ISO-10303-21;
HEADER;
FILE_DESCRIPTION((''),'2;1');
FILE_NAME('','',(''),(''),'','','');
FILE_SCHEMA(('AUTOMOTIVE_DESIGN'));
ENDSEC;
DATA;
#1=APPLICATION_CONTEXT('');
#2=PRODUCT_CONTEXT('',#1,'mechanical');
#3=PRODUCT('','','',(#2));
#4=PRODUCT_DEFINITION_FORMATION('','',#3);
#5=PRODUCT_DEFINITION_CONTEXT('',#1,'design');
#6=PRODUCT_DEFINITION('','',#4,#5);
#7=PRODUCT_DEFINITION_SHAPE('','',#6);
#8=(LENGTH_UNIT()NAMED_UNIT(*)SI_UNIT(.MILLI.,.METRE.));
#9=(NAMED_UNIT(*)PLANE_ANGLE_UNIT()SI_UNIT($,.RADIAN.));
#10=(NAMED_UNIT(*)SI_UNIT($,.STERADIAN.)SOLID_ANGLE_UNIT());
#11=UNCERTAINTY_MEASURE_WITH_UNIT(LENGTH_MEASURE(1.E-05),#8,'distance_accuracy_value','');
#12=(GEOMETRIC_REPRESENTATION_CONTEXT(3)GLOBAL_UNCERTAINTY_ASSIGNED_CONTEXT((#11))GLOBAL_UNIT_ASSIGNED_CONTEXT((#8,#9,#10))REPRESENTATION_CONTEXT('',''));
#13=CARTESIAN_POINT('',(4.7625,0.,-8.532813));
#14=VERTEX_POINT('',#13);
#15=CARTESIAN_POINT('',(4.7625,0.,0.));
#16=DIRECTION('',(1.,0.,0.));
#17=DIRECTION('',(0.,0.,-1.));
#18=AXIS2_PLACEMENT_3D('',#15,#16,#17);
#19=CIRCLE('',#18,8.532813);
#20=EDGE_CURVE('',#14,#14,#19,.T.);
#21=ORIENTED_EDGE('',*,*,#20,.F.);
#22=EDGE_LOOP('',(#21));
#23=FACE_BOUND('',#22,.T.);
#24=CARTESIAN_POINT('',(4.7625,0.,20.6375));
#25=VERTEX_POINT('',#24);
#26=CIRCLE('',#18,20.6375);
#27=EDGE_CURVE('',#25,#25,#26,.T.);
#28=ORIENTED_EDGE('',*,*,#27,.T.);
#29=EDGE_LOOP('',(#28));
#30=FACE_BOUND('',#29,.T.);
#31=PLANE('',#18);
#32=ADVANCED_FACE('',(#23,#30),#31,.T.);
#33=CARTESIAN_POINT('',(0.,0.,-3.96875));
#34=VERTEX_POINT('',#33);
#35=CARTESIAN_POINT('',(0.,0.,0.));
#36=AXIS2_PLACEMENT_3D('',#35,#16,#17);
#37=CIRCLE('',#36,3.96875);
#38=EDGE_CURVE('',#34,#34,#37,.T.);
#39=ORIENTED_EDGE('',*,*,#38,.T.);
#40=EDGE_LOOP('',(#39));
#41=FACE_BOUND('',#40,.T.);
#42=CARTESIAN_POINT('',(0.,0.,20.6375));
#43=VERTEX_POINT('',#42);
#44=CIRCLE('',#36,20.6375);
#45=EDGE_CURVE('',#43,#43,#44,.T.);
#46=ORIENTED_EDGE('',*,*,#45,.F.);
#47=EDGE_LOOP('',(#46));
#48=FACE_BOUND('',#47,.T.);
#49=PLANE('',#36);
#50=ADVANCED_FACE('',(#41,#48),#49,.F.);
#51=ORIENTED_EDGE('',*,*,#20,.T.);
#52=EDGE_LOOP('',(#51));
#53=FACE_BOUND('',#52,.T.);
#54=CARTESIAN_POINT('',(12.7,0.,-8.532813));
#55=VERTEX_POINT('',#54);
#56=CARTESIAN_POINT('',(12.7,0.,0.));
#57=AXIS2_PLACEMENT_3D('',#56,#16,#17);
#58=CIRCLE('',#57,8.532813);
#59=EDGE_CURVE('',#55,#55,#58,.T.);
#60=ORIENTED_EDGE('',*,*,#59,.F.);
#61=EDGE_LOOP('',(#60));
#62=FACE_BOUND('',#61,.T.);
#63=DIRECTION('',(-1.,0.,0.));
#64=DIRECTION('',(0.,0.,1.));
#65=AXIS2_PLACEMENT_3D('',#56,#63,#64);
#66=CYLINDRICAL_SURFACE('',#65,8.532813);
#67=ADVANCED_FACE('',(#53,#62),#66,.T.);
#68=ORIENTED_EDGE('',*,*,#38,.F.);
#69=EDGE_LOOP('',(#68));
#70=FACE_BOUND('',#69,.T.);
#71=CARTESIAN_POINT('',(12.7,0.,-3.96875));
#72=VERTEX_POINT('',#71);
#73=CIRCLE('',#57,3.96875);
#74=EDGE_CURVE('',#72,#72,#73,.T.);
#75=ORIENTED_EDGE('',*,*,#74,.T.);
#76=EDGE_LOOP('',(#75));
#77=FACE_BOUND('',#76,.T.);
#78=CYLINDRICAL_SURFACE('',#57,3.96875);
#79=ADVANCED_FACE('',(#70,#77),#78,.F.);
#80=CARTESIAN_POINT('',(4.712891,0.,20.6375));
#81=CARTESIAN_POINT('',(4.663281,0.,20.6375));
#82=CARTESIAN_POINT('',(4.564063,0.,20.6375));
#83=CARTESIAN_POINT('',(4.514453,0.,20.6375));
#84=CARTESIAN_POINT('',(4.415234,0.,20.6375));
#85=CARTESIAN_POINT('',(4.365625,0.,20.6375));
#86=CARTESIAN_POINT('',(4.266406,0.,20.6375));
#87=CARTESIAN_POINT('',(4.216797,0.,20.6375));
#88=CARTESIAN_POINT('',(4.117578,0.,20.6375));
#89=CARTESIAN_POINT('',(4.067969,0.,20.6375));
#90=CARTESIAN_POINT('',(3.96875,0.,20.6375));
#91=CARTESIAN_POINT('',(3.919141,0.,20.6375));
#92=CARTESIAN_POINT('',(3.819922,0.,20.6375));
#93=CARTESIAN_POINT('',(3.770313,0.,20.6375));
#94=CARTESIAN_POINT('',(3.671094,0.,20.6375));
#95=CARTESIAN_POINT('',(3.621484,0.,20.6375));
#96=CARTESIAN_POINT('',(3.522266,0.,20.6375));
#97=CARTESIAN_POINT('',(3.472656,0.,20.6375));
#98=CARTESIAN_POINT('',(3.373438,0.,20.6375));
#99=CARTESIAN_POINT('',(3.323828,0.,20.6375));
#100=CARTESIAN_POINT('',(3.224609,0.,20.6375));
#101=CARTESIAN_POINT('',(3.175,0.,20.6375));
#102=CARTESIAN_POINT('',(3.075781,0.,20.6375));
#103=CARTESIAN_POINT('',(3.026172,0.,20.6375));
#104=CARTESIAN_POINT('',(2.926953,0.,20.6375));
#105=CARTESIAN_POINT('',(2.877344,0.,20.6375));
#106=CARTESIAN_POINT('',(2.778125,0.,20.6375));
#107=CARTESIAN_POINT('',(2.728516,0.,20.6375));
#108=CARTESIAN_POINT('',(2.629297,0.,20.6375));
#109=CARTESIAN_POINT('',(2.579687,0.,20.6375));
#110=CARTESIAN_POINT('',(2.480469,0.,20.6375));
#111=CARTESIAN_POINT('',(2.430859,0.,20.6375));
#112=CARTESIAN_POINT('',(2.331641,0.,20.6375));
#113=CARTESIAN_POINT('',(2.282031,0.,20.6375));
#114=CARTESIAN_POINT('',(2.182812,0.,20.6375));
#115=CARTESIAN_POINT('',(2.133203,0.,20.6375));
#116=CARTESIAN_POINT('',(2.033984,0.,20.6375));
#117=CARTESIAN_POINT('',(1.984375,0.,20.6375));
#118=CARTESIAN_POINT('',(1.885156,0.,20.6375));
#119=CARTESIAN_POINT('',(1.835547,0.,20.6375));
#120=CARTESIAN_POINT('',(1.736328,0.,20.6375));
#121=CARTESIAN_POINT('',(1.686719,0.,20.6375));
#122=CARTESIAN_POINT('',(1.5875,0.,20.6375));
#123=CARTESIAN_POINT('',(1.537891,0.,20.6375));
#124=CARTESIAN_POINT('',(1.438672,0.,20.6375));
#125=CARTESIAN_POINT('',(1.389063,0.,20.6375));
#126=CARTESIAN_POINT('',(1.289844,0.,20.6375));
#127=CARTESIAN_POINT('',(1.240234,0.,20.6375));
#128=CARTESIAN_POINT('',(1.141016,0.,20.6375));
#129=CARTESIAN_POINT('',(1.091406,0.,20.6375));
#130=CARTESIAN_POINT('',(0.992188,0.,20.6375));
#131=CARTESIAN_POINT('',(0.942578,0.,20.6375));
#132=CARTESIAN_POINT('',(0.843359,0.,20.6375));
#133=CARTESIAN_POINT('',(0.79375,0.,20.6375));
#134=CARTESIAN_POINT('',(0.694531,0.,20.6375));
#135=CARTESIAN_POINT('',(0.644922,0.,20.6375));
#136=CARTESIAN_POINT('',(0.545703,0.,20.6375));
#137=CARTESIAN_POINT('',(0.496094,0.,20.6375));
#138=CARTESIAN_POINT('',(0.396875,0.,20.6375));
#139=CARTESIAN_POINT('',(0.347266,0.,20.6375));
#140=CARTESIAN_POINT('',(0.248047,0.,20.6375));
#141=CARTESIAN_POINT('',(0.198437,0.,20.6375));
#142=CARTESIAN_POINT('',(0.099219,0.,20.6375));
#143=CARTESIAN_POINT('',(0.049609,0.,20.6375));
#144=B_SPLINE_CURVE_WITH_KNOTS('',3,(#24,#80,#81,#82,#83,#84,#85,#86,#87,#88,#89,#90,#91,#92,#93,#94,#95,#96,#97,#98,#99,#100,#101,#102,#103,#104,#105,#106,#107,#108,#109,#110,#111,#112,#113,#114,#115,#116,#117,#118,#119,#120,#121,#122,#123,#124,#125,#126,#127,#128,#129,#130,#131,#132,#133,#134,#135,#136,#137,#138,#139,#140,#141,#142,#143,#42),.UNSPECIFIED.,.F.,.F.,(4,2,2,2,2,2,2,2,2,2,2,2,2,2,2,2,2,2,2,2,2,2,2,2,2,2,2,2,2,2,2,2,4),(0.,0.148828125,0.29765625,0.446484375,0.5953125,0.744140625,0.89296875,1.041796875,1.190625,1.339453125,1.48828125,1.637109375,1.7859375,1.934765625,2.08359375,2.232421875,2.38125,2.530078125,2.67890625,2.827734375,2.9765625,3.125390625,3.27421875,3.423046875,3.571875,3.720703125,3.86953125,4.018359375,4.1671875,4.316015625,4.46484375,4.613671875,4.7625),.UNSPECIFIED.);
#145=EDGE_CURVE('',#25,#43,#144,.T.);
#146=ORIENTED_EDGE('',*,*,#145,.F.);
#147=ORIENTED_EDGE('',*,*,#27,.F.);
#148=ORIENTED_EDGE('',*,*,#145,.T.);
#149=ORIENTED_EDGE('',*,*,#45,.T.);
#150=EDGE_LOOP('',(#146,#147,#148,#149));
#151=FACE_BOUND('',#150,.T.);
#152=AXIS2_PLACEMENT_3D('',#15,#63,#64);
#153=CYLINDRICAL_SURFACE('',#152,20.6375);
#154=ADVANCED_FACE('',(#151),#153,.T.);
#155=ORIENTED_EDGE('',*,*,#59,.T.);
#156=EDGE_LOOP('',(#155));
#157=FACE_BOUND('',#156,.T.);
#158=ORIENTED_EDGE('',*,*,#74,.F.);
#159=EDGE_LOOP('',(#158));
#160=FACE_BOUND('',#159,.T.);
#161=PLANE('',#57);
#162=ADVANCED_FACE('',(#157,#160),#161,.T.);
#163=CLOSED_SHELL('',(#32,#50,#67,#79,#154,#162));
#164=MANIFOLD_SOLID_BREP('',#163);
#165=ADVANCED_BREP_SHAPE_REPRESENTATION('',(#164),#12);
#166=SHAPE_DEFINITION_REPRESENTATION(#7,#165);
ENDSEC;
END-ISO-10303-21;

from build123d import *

# Parameters (mm, degrees)
SKETCH1_R                          = 20.6375
BOSS_EXTRUDE1_DEPTH                = 4.7625
SKETCH2_R                          = 8.5328125
BOSS_EXTRUDE2_DEPTH                = 7.9375
F_5_16_0_3125_DIAMETER_HOLE1_D     = 7.9375
F_5_16_0_3125_DIAMETER_HOLE1_DEPTH = 70.104
F_5_16_0_3125_DIAMETER_HOLE1_TIP   = 2.384665582


with BuildPart() as part:
    # Sketch1 → Boss-Extrude1 (new body)
    with BuildSketch(Plane(origin=(0, 0, 0), x_dir=(0, 0, -1), z_dir=(1, 0, 0))):
        with Locations(Location((0, 0, 0), (0, 0, 180))):
            Circle(SKETCH1_R)
    extrude(amount=BOSS_EXTRUDE1_DEPTH)

    # Sketch2 → Boss-Extrude2 (add)
    with BuildSketch(Plane(origin=(4.7625, 0, 0), x_dir=(0, 0, -1), z_dir=(1, 0, 0))):
        Circle(SKETCH2_R)
    extrude(amount=BOSS_EXTRUDE2_DEPTH)

    # 5/16 (0.3125) Diameter Hole1
    with Locations(Plane(origin=(12.7, 0, 0), x_dir=(0, 0, -1), z_dir=(1, 0, 0))):
        with Locations((0, 0)):
            Hole(F_5_16_0_3125_DIAMETER_HOLE1_D / 2, depth=F_5_16_0_3125_DIAMETER_HOLE1_DEPTH)
            with Locations((0, 0, -(F_5_16_0_3125_DIAMETER_HOLE1_DEPTH + F_5_16_0_3125_DIAMETER_HOLE1_TIP / 2))):  # 118° drill point
                Cone(0, F_5_16_0_3125_DIAMETER_HOLE1_D / 2, F_5_16_0_3125_DIAMETER_HOLE1_TIP, mode=Mode.SUBTRACT)


solid = part.part
